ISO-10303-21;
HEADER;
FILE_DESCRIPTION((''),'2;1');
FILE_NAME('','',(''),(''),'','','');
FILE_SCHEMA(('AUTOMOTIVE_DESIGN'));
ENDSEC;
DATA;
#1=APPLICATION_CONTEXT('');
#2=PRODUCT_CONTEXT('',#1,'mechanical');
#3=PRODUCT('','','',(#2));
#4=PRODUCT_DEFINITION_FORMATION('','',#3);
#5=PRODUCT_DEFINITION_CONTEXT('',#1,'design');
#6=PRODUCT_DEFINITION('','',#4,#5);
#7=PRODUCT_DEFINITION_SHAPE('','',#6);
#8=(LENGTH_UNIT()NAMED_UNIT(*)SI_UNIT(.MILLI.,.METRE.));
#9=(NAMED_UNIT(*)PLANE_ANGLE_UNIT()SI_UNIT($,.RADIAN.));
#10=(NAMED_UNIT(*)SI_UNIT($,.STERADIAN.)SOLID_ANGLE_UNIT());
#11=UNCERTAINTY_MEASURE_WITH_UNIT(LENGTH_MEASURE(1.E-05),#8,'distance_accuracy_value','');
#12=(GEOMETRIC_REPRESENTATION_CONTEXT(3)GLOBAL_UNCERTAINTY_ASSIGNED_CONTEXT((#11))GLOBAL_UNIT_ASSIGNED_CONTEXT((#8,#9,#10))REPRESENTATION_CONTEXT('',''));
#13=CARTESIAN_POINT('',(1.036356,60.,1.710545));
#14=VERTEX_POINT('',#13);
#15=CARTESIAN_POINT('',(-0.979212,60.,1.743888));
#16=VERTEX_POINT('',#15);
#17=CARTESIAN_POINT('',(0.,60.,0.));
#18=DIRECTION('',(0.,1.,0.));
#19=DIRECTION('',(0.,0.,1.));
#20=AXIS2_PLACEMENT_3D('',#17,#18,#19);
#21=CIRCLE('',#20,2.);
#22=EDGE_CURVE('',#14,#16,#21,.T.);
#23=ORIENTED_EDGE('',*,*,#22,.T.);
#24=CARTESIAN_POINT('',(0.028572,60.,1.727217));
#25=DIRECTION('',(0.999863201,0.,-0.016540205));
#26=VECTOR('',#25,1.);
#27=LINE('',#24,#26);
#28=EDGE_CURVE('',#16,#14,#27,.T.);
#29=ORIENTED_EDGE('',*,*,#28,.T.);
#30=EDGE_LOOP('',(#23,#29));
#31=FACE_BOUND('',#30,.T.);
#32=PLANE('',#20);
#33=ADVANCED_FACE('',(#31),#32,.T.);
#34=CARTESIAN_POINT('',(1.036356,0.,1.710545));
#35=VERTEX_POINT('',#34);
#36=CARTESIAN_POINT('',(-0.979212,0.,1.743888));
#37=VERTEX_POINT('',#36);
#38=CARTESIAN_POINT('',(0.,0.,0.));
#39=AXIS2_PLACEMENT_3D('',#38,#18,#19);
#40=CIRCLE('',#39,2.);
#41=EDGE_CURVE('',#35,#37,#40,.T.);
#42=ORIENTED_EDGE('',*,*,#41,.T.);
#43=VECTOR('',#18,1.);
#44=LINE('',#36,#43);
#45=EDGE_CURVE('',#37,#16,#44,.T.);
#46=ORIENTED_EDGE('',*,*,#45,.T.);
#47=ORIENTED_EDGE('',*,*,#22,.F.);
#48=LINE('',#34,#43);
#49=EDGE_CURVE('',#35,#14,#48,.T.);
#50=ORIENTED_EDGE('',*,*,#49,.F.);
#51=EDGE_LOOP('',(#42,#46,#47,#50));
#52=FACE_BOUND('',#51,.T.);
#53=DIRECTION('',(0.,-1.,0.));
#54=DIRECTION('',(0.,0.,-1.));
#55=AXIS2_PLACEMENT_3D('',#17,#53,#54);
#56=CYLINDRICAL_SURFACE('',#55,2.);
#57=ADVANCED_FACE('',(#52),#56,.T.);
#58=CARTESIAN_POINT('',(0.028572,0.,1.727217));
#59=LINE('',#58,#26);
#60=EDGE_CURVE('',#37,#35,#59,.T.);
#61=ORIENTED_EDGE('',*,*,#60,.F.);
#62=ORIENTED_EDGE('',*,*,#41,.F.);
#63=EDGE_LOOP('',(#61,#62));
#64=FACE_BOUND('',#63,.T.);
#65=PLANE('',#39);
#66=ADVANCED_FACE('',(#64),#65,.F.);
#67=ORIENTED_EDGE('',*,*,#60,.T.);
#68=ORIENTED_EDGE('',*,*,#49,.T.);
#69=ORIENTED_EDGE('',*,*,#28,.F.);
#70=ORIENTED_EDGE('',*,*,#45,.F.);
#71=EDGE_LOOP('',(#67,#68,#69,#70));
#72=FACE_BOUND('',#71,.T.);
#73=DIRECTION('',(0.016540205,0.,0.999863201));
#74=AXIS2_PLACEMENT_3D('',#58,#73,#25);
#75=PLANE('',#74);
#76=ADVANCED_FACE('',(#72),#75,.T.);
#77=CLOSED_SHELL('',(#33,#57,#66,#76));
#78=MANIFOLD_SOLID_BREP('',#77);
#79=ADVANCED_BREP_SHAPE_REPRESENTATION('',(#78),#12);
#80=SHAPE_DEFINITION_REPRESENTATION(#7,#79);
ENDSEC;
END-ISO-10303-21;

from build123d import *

# Parameters (mm, degrees)
ESQUISSE1_R             = 2
BOSS_EXTRU_1_DEPTH      = 60
ENL_V_MAT_EXTRU_1_DEPTH = 61.066629671


with BuildPart() as part:
    # Esquisse1 → Boss.-Extru.1 (new body)
    with BuildSketch(Plane(origin=(0, 0, 0), x_dir=(1, 0, 0), z_dir=(0, 1, 0))):
        with Locations(Location((0, 0, 0), (0, 0, 270))):
            Circle(ESQUISSE1_R)
    extrude(amount=BOSS_EXTRU_1_DEPTH)

    # Esquisse3 → Enlèv. mat.-Extru.1 (cut, through all)
    with BuildSketch(Plane(origin=(0, 60, 0), x_dir=(1, 0, 0), z_dir=(0, 1, 0))):
        with BuildLine():
            Line((1.036356451, -1.710545324), (-0.9792116, -1.743887795))
            ThreePointArc((-0.9792116, -1.743887795), (0.033080411, -1.999726403), (1.036356451, -1.710545324))
        make_face()
    extrude(amount=-ENL_V_MAT_EXTRU_1_DEPTH, mode=Mode.SUBTRACT)


solid = part.part
